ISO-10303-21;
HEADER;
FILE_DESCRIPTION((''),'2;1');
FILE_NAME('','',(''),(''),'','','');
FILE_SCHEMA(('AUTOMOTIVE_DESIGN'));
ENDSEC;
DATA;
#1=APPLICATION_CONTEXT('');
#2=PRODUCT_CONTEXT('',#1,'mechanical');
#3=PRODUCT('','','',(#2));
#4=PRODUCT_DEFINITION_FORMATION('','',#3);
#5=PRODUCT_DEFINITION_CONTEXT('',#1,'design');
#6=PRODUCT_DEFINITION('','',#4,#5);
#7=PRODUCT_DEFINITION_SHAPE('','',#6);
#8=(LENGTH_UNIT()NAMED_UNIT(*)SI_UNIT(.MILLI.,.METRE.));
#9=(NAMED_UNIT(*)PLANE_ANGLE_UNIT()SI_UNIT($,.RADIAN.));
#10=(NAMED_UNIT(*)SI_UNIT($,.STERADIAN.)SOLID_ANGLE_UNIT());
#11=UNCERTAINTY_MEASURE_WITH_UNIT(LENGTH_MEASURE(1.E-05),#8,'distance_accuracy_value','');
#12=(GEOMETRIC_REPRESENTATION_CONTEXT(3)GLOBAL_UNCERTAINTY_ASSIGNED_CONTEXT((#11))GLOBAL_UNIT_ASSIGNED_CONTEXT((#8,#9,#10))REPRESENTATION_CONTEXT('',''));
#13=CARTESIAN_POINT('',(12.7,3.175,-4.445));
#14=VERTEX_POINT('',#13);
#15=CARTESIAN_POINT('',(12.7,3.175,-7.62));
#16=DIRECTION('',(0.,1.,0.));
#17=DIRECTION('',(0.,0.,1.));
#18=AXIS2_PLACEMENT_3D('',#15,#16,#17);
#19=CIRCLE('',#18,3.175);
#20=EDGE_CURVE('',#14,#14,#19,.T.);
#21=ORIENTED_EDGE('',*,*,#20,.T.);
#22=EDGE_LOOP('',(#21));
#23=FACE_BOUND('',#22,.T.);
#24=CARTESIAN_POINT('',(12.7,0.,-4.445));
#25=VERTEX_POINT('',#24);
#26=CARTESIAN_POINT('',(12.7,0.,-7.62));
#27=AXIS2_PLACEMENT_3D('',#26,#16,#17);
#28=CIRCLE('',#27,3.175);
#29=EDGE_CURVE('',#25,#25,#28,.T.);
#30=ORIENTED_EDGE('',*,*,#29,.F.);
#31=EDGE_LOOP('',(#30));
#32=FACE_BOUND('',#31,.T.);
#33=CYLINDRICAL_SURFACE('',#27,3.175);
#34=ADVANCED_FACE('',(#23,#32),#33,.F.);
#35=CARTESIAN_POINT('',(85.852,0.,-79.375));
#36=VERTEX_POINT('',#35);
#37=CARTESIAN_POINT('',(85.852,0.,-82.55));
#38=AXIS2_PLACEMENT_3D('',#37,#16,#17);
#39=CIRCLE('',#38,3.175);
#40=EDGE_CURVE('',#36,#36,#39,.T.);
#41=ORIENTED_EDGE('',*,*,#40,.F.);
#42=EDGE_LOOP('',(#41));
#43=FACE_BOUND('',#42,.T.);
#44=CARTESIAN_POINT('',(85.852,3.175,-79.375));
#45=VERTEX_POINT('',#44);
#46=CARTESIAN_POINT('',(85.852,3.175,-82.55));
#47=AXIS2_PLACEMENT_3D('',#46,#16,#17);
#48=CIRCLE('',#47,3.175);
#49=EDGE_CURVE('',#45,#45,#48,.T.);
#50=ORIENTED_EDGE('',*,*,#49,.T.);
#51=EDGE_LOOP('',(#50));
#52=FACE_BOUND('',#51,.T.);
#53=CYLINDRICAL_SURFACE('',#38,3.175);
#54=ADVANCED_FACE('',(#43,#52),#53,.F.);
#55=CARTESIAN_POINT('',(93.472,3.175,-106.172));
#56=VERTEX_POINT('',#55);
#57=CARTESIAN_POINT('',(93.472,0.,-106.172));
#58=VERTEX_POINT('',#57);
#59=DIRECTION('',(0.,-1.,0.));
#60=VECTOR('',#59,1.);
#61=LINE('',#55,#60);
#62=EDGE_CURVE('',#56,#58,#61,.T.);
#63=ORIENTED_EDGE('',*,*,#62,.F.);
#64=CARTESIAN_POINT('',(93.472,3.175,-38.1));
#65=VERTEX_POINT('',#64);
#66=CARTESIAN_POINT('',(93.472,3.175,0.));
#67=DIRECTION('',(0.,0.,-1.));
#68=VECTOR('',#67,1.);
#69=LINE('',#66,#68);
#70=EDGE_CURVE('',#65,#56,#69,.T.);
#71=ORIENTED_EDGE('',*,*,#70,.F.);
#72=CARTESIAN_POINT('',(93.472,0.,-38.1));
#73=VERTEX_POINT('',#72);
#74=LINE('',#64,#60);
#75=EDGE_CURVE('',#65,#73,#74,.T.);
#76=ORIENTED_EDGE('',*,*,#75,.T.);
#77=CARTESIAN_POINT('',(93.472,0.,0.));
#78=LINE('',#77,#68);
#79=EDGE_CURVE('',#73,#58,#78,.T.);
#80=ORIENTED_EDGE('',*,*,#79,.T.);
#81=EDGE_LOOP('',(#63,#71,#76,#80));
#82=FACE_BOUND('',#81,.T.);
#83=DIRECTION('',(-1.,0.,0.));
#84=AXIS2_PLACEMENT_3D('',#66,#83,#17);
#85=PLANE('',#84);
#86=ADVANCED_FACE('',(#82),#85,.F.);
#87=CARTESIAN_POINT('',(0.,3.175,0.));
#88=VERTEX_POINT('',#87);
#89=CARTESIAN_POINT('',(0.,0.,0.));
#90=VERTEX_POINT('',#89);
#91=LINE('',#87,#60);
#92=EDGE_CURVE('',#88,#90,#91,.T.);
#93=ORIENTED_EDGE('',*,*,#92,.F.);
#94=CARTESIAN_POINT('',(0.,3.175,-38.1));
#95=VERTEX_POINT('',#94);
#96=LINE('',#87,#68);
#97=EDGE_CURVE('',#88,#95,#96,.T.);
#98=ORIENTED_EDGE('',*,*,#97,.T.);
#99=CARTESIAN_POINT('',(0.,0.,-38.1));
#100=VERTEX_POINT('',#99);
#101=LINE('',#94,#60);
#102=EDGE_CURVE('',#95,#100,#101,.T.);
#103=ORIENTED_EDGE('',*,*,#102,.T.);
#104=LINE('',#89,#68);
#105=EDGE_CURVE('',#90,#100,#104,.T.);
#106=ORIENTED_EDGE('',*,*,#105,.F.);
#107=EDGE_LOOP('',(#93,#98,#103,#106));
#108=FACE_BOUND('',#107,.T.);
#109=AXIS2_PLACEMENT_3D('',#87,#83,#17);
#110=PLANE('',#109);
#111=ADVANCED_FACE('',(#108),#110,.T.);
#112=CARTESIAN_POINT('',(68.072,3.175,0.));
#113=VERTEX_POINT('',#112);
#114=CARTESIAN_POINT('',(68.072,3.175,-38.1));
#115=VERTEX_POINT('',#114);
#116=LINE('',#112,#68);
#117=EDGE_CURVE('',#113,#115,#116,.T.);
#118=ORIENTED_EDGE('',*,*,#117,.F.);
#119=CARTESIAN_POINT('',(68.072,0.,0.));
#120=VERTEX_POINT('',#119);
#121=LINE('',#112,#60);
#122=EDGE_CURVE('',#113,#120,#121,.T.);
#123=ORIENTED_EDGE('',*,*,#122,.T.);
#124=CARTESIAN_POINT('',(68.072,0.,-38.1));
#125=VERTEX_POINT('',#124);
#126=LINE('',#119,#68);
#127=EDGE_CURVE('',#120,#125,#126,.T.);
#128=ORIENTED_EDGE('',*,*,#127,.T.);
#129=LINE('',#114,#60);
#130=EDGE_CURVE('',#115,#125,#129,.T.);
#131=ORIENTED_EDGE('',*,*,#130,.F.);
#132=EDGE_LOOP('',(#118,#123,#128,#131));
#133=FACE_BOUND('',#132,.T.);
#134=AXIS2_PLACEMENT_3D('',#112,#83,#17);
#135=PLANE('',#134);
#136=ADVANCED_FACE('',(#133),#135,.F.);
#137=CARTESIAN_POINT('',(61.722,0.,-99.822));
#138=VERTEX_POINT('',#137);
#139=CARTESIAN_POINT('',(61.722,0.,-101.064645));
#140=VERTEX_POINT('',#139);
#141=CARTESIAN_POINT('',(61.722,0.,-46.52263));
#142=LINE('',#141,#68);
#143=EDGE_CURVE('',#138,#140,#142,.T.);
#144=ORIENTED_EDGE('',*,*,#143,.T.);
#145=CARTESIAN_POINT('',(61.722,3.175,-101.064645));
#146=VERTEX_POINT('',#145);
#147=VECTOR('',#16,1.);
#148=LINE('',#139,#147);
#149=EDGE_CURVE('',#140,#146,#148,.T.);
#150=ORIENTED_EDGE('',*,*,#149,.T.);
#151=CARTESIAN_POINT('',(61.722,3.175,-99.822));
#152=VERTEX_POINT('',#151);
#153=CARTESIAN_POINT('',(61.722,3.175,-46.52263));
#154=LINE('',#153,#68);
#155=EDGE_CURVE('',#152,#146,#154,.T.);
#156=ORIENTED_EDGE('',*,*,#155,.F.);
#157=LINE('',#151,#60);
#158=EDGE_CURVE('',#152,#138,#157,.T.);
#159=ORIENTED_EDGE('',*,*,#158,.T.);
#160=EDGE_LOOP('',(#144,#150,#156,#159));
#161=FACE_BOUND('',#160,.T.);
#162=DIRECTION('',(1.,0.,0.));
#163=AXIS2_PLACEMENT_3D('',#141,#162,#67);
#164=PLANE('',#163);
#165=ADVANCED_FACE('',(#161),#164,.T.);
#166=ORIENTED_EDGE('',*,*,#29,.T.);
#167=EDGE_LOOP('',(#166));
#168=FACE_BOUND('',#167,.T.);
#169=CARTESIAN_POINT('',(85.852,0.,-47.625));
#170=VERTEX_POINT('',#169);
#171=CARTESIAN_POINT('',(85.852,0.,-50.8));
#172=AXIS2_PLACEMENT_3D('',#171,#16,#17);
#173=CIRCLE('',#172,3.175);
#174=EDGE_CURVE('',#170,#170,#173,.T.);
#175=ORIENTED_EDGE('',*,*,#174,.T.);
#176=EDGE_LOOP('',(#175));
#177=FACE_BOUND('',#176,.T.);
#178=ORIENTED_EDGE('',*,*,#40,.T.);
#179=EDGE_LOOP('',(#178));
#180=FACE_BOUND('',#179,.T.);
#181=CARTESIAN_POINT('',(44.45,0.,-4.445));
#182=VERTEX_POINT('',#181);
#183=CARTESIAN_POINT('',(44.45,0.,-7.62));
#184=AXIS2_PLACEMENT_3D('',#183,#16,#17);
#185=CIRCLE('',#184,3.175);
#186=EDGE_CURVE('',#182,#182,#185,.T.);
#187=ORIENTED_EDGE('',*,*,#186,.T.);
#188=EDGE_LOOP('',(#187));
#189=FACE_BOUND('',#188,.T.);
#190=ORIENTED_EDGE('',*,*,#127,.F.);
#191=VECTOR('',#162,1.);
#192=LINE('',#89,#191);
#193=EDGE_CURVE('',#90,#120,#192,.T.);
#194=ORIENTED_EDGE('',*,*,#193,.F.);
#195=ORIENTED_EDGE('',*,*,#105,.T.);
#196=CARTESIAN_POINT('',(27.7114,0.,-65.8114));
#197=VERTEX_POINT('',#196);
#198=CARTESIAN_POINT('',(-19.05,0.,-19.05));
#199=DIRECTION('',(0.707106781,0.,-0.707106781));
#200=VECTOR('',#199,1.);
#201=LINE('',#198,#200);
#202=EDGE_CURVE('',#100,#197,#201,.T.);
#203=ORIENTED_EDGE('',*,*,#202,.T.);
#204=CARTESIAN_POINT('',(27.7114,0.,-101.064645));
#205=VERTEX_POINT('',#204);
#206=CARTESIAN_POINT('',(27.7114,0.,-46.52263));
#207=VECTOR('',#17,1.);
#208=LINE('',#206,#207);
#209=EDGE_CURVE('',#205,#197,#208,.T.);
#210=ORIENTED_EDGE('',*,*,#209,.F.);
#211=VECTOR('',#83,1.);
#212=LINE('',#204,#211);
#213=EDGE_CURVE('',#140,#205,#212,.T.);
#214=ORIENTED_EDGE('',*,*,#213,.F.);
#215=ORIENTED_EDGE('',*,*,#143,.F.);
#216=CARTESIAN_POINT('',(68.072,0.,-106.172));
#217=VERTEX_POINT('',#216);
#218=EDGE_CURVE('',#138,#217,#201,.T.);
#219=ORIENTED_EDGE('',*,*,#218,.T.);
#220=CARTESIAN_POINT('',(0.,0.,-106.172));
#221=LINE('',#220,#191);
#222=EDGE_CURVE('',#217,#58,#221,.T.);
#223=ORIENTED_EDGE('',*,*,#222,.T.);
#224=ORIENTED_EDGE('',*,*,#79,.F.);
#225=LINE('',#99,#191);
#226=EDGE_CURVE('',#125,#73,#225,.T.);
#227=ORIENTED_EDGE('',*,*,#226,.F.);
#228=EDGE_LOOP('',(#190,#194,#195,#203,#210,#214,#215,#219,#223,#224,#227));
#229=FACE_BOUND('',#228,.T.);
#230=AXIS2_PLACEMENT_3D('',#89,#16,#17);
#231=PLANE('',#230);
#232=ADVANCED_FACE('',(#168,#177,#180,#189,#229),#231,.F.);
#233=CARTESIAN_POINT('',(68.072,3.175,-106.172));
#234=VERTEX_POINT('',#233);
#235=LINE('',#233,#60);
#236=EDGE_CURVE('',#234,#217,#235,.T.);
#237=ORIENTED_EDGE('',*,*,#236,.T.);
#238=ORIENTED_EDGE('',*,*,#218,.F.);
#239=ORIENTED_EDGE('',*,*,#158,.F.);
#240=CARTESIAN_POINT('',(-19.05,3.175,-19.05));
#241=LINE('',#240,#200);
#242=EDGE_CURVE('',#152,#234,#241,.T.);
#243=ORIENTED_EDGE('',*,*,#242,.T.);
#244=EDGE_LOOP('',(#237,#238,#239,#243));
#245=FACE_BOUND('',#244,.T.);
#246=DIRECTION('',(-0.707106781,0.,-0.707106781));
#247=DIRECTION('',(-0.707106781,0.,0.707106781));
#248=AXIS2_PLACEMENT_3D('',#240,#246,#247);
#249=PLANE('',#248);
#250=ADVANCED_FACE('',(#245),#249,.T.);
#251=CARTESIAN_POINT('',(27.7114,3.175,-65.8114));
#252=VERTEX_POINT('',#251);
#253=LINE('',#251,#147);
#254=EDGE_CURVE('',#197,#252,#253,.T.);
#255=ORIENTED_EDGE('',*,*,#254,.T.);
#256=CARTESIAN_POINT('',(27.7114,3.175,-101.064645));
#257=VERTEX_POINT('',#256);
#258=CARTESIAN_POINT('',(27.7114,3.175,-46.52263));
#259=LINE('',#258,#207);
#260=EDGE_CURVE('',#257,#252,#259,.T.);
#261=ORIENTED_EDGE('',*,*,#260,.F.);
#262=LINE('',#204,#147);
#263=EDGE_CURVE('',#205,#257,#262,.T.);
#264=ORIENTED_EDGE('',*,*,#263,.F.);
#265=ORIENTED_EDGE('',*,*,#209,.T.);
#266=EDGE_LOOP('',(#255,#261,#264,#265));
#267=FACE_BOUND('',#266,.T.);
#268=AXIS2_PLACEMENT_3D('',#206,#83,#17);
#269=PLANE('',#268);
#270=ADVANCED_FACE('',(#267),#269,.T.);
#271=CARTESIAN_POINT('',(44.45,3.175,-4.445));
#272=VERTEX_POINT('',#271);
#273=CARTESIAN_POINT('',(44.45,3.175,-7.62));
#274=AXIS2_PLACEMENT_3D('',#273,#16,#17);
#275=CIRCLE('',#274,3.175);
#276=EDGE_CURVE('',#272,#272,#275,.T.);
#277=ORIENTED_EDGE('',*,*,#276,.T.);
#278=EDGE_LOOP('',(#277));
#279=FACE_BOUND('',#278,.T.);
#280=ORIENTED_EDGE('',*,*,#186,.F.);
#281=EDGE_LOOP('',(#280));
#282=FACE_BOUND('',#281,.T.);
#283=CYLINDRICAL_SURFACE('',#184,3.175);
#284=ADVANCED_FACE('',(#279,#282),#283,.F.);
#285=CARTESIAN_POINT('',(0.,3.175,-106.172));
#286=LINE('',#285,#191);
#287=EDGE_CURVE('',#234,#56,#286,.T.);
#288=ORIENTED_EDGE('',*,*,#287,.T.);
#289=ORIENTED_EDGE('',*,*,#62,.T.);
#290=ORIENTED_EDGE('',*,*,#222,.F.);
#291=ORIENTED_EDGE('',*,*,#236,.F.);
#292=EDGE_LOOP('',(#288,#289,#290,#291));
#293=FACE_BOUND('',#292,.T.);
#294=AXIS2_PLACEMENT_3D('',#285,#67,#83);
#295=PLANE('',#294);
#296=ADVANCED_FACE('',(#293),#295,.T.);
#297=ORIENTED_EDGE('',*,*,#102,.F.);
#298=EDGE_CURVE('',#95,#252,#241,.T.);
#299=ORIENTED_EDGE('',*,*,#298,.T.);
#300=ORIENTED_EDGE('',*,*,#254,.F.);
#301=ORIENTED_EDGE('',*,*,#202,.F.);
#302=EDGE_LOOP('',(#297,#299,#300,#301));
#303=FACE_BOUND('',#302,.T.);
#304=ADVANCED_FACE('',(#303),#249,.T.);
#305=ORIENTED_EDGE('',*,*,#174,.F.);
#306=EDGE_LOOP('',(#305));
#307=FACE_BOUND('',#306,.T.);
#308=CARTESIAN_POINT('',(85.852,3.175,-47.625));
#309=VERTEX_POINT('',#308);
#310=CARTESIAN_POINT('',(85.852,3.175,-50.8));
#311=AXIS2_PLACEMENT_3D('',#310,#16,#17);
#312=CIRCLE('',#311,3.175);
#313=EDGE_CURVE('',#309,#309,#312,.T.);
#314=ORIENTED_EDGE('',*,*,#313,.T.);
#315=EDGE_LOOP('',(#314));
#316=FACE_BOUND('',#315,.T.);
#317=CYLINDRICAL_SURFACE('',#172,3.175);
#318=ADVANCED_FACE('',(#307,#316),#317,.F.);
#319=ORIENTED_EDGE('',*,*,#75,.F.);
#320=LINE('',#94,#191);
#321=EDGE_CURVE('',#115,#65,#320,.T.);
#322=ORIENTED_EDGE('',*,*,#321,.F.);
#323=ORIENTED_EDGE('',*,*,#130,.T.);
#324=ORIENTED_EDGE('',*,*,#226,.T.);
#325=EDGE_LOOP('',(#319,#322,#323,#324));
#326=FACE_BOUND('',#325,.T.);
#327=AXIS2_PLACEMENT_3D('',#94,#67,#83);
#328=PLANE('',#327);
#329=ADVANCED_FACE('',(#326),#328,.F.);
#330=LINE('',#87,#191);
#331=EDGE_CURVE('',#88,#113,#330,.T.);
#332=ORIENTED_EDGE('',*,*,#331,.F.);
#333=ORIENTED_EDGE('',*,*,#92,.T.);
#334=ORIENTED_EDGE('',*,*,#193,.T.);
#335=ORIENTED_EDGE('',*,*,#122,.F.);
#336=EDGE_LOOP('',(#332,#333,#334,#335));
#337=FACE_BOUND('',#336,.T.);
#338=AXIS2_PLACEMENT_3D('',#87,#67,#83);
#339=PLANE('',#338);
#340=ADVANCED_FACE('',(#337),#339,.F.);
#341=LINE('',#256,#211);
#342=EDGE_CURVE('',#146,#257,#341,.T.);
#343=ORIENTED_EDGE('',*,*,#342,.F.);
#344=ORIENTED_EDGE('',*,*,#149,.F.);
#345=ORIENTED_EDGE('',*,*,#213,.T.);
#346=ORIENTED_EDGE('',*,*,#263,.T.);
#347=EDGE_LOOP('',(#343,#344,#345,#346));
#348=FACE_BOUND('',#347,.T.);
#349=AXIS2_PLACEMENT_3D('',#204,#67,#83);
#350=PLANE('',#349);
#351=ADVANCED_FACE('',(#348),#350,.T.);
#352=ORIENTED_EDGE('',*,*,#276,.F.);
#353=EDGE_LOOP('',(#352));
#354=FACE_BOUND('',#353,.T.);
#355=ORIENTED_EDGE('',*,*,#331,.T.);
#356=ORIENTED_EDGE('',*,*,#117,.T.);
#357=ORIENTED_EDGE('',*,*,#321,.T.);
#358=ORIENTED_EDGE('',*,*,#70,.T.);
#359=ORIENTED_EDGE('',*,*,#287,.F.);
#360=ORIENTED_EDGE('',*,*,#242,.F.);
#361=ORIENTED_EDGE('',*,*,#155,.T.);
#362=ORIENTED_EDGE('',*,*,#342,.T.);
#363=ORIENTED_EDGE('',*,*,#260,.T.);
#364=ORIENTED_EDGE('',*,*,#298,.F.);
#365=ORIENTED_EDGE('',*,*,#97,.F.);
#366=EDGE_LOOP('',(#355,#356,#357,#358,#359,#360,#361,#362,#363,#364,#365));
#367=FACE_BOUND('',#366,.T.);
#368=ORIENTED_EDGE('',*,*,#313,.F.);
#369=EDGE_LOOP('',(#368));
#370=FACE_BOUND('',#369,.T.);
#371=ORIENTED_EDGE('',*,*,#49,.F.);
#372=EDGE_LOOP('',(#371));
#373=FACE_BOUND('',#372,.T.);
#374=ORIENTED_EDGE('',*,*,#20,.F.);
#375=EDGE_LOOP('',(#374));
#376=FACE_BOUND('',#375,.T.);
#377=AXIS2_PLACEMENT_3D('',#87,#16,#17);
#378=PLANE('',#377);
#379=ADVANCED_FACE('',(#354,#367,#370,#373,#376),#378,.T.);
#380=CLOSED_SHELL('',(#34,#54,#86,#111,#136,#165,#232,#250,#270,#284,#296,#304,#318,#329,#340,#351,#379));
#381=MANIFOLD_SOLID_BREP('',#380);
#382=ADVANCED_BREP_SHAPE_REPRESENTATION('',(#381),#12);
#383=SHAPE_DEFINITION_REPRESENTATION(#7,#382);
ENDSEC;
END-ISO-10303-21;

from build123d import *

# Parameters (mm, degrees)
SKETCH1_W           = 68.072
SKETCH1_H           = 38.1
SKETCH1_W_2         = 25.4
SKETCH1_H_2         = 68.072
BOSS_EXTRUDE1_DEPTH = 3.175
SKETCH2_R           = 3.175
CUT_EXTRUDE1_DEPTH  = 142.490596836
SKETCH3_W           = 34.0106
SKETCH3_H           = 54.542014323
BOSS_EXTRUDE2_DEPTH = 3.175


with BuildPart() as part:
    # Sketch1 → Boss-Extrude1 (new body)
    with BuildSketch(Plane(origin=(0, 0, 0), x_dir=(1, 0, 0), z_dir=(0, 1, 0))):
        with Locations((34.036, 19.05)):
            Rectangle(SKETCH1_W, SKETCH1_H)
        Polygon((68.072, 106.172), (68.072, 38.1), (0, 38.1), align=None)
        with Locations((80.772, 72.136)):
            Rectangle(SKETCH1_W_2, SKETCH1_H_2)
    extrude(amount=BOSS_EXTRUDE1_DEPTH)

    # Sketch2 → Cut-Extrude1 (cut, through all)
    with BuildSketch(Plane(origin=(0, 3.175, 0), x_dir=(1, 0, 0), z_dir=(0, 1, 0))):
        with Locations(Location((12.7, 7.62, 0), (0, 0, 270))):
            Circle(SKETCH2_R)
        with Locations(Location((44.45, 7.62, 0), (0, 0, 270))):
            Circle(SKETCH2_R)
        with Locations(Location((85.852, 50.8, 0), (0, 0, 270))):
            Circle(SKETCH2_R)
        with Locations(Location((85.852, 82.55, 0), (0, 0, 270))):
            Circle(SKETCH2_R)
    extrude(amount=-CUT_EXTRUDE1_DEPTH, mode=Mode.SUBTRACT)

    # Sketch3 → Boss-Extrude2 (add)
    with BuildSketch(Plane(origin=(0, 3.175, 0), x_dir=(1, 0, 0), z_dir=(0, 1, 0))):
        with Locations((44.7167, 73.793637407)):
            Rectangle(SKETCH3_W, SKETCH3_H)
    extrude(amount=-BOSS_EXTRUDE2_DEPTH)


solid = part.part
